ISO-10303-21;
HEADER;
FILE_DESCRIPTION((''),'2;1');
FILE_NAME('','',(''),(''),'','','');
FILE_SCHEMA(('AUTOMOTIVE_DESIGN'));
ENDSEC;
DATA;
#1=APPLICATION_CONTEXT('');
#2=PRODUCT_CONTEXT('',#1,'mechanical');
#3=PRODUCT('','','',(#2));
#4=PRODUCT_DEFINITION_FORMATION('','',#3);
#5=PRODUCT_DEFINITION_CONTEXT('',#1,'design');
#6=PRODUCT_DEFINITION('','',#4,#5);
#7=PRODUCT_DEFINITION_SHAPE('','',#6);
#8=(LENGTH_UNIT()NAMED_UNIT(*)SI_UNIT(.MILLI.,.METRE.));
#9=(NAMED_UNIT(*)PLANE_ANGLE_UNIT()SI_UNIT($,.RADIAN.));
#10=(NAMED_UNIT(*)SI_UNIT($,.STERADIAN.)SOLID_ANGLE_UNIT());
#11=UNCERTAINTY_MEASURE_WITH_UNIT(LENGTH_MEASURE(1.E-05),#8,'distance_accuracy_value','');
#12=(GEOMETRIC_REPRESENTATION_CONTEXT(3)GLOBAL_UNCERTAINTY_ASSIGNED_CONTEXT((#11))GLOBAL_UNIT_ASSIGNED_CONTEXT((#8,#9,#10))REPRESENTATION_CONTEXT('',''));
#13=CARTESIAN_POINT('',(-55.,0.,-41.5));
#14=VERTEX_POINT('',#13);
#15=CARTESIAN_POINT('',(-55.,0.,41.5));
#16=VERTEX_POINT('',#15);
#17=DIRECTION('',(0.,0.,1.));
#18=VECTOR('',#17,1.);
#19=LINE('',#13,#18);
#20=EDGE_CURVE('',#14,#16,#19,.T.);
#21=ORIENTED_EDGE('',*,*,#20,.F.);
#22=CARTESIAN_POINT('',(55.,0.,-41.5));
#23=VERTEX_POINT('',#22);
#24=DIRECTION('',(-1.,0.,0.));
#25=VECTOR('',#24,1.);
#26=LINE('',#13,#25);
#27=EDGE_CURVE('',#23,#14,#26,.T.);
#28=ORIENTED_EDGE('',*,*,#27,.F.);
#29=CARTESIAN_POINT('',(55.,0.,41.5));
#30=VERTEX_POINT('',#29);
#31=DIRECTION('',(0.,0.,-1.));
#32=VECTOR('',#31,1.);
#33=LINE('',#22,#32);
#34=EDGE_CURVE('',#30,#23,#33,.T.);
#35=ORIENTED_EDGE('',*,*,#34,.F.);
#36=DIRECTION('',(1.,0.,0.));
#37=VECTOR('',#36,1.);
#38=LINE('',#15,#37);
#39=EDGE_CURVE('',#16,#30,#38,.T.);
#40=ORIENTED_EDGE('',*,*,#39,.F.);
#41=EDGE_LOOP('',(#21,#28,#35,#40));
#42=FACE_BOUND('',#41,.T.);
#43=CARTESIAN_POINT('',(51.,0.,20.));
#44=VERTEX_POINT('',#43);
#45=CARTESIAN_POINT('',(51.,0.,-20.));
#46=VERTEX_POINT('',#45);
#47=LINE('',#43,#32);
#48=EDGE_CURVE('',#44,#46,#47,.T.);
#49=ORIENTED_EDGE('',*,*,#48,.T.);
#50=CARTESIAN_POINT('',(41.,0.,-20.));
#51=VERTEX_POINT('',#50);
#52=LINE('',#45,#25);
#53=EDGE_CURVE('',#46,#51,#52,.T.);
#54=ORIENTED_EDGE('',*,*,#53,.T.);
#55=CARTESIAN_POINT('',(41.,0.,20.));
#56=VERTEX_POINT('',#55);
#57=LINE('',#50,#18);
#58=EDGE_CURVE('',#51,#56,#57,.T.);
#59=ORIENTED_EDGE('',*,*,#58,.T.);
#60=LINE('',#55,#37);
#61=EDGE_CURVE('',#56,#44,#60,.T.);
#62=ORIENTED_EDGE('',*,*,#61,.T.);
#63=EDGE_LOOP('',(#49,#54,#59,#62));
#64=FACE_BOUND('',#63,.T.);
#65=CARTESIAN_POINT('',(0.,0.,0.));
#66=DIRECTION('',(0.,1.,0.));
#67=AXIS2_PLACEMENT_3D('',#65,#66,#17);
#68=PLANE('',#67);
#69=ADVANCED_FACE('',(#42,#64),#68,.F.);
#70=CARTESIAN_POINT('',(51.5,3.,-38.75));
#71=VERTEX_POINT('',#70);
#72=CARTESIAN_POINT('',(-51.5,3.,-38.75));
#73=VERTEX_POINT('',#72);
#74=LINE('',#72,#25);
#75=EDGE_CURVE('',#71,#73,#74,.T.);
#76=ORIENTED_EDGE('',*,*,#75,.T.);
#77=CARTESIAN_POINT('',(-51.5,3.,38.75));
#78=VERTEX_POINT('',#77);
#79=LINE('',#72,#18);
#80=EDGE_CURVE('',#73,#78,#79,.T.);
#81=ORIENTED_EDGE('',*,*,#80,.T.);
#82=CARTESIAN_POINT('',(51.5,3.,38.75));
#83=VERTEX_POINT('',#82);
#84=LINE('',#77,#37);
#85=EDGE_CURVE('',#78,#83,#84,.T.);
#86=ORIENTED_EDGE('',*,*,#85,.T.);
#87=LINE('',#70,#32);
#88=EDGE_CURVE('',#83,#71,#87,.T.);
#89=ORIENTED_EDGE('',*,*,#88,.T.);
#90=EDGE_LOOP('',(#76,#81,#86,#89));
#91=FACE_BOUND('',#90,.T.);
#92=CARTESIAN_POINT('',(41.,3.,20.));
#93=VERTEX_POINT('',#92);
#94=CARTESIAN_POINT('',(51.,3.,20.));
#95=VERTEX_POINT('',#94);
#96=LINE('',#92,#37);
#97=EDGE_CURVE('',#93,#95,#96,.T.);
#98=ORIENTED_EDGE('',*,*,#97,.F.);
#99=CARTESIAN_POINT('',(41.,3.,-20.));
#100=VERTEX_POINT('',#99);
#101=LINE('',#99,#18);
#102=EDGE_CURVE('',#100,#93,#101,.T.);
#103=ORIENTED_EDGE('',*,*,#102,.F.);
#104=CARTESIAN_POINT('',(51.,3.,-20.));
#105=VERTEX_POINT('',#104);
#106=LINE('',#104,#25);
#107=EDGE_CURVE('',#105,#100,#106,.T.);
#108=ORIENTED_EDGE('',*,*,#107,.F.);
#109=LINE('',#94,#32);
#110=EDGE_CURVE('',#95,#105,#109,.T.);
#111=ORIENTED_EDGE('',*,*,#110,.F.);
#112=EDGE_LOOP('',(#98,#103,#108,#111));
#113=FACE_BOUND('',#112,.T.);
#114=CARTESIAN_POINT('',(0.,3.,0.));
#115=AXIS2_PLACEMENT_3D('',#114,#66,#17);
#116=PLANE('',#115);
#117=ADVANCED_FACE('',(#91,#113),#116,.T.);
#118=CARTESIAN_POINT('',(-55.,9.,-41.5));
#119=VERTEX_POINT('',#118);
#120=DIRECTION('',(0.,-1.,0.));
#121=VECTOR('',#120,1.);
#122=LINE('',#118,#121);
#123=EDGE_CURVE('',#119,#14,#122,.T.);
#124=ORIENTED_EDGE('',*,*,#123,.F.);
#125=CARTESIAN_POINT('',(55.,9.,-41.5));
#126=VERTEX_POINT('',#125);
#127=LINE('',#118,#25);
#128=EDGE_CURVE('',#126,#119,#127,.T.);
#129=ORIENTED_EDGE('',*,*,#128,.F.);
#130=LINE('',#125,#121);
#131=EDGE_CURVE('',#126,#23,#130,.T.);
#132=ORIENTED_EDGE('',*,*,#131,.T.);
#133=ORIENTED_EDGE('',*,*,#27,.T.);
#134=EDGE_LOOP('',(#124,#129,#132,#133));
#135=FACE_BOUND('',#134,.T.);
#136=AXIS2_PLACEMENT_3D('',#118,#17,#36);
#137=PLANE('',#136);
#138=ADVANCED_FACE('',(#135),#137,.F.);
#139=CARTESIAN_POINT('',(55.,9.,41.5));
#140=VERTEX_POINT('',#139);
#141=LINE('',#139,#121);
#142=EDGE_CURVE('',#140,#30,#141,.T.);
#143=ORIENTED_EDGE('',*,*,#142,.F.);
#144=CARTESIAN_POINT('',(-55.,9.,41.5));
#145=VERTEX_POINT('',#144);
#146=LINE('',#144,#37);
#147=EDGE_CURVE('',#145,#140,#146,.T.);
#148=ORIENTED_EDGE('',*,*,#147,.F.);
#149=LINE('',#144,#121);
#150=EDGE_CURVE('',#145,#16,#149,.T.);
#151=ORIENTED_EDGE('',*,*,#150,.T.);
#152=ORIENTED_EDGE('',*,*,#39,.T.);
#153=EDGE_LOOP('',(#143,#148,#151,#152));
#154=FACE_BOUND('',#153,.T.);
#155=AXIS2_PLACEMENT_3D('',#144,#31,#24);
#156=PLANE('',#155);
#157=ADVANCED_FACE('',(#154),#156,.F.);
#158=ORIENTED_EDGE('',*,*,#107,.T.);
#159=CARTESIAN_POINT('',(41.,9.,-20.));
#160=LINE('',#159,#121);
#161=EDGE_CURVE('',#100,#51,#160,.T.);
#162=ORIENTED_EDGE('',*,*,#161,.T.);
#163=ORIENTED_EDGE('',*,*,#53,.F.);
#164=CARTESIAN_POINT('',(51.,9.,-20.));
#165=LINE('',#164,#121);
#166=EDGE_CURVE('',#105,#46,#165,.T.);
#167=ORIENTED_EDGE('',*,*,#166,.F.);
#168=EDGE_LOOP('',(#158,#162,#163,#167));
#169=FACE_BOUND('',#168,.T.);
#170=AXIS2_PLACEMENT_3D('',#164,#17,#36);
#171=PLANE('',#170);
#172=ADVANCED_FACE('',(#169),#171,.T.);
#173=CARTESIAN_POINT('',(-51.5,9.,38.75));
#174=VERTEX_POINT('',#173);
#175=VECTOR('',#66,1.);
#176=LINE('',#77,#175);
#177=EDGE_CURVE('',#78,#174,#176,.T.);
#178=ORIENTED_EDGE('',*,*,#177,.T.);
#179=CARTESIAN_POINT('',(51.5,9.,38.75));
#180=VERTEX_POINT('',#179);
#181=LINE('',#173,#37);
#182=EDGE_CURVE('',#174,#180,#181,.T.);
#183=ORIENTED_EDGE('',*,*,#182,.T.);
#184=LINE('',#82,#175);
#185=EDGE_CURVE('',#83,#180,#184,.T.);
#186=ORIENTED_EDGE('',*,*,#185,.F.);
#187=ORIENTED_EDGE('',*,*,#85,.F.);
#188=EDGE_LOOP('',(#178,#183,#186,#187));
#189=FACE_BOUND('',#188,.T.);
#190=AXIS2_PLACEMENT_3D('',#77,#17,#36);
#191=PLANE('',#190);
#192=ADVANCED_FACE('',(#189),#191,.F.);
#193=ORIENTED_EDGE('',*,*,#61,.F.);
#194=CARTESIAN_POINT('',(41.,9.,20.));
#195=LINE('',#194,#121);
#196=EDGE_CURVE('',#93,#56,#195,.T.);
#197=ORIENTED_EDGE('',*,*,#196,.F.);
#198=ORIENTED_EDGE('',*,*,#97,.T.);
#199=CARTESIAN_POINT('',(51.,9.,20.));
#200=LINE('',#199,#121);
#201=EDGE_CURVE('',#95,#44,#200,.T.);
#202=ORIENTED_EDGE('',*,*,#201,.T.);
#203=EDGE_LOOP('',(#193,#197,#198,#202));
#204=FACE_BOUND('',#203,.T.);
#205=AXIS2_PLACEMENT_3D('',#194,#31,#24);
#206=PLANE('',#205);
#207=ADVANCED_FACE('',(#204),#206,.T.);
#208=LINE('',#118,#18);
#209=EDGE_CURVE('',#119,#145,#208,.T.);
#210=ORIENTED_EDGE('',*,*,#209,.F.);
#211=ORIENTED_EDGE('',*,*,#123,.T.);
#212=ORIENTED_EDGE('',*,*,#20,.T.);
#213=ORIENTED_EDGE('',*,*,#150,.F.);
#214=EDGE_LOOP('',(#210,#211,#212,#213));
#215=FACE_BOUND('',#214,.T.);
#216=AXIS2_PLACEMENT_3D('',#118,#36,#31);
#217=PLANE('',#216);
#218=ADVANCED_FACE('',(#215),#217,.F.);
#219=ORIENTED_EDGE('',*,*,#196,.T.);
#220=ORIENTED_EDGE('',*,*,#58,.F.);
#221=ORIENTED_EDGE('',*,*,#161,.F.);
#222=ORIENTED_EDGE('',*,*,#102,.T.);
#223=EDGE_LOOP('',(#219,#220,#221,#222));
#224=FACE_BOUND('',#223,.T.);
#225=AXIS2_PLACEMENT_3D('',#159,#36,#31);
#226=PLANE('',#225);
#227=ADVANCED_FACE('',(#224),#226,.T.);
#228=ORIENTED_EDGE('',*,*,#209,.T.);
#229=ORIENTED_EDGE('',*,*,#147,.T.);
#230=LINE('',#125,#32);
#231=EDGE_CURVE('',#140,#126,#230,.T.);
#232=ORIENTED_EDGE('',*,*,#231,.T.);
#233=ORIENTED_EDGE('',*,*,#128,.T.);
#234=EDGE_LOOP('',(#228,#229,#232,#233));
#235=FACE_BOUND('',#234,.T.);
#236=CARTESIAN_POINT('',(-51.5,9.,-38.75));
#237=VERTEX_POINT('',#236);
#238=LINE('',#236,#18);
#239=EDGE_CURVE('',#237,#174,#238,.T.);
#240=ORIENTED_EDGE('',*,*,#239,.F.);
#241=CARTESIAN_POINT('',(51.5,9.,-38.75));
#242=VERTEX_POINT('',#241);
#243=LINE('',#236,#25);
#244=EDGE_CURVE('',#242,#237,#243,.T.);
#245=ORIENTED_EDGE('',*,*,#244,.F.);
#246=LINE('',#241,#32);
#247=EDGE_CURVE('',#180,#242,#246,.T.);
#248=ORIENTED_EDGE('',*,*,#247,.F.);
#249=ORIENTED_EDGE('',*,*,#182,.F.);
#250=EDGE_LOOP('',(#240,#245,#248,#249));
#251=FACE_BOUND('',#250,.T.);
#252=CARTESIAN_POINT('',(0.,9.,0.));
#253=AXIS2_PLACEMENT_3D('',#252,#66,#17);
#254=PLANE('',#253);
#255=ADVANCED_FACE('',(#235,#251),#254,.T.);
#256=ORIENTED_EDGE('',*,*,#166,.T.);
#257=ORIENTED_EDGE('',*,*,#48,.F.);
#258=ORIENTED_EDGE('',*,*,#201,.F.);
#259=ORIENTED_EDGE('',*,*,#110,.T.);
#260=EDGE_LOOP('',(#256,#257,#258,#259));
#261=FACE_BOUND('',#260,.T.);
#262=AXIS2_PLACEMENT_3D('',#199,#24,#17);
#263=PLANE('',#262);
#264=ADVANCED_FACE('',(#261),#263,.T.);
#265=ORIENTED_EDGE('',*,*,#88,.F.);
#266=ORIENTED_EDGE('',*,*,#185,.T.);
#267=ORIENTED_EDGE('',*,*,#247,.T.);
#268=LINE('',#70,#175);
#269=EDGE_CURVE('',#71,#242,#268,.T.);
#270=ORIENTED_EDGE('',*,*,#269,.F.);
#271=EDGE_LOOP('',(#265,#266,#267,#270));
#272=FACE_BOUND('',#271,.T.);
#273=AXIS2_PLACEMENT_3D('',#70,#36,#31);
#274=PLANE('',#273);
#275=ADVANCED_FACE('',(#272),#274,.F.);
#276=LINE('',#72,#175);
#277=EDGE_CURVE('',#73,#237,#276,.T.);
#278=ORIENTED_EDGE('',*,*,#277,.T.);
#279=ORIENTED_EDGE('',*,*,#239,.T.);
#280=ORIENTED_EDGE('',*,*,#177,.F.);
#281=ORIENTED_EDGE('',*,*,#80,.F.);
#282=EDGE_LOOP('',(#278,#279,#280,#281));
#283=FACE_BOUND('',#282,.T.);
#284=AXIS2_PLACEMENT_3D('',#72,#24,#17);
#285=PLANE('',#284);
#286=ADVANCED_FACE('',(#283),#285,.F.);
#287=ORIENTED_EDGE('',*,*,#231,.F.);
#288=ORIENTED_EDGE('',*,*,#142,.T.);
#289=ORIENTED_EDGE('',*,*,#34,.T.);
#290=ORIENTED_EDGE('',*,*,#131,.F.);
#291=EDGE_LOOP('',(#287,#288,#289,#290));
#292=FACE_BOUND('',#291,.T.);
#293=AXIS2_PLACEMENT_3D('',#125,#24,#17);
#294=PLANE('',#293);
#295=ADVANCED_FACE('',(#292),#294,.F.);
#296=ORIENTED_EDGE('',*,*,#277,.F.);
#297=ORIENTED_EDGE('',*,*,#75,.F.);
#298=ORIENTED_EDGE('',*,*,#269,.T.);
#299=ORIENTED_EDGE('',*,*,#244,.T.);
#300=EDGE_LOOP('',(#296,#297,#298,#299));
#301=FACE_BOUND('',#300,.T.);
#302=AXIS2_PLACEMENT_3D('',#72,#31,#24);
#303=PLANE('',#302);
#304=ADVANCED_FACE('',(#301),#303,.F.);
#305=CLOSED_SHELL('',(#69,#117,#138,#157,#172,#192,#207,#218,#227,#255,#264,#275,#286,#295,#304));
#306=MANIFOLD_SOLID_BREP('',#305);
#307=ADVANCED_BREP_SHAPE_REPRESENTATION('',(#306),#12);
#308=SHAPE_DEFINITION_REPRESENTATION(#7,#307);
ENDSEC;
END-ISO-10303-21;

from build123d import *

# Parameters (mm, degrees)
SKETCH2_W           = 110
SKETCH2_H           = 83
SKETCH2_W_2         = 10
SKETCH2_H_2         = 40
BOSS_EXTRUDE1_DEPTH = 9
SKETCH4_W           = 103
SKETCH4_H           = 77.5
CUT_EXTRUDE1_DEPTH  = 6


with BuildPart() as part:
    # Sketch2 → Boss-Extrude1 (new body)
    with BuildSketch(Plane(origin=(0, 0, 0), x_dir=(1, 0, 0), z_dir=(0, 1, 0))):
        Rectangle(SKETCH2_W, SKETCH2_H)
        with Locations((46, 0)):
            Rectangle(SKETCH2_W_2, SKETCH2_H_2, mode=Mode.SUBTRACT)
    extrude(amount=BOSS_EXTRUDE1_DEPTH)

    # Sketch4 → Cut-Extrude1 (cut)
    with BuildSketch(Plane(origin=(0, 9, 0), x_dir=(1, 0, 0), z_dir=(0, 1, 0))):
        Rectangle(SKETCH4_W, SKETCH4_H)
    extrude(amount=-CUT_EXTRUDE1_DEPTH, mode=Mode.SUBTRACT)


solid = part.part
